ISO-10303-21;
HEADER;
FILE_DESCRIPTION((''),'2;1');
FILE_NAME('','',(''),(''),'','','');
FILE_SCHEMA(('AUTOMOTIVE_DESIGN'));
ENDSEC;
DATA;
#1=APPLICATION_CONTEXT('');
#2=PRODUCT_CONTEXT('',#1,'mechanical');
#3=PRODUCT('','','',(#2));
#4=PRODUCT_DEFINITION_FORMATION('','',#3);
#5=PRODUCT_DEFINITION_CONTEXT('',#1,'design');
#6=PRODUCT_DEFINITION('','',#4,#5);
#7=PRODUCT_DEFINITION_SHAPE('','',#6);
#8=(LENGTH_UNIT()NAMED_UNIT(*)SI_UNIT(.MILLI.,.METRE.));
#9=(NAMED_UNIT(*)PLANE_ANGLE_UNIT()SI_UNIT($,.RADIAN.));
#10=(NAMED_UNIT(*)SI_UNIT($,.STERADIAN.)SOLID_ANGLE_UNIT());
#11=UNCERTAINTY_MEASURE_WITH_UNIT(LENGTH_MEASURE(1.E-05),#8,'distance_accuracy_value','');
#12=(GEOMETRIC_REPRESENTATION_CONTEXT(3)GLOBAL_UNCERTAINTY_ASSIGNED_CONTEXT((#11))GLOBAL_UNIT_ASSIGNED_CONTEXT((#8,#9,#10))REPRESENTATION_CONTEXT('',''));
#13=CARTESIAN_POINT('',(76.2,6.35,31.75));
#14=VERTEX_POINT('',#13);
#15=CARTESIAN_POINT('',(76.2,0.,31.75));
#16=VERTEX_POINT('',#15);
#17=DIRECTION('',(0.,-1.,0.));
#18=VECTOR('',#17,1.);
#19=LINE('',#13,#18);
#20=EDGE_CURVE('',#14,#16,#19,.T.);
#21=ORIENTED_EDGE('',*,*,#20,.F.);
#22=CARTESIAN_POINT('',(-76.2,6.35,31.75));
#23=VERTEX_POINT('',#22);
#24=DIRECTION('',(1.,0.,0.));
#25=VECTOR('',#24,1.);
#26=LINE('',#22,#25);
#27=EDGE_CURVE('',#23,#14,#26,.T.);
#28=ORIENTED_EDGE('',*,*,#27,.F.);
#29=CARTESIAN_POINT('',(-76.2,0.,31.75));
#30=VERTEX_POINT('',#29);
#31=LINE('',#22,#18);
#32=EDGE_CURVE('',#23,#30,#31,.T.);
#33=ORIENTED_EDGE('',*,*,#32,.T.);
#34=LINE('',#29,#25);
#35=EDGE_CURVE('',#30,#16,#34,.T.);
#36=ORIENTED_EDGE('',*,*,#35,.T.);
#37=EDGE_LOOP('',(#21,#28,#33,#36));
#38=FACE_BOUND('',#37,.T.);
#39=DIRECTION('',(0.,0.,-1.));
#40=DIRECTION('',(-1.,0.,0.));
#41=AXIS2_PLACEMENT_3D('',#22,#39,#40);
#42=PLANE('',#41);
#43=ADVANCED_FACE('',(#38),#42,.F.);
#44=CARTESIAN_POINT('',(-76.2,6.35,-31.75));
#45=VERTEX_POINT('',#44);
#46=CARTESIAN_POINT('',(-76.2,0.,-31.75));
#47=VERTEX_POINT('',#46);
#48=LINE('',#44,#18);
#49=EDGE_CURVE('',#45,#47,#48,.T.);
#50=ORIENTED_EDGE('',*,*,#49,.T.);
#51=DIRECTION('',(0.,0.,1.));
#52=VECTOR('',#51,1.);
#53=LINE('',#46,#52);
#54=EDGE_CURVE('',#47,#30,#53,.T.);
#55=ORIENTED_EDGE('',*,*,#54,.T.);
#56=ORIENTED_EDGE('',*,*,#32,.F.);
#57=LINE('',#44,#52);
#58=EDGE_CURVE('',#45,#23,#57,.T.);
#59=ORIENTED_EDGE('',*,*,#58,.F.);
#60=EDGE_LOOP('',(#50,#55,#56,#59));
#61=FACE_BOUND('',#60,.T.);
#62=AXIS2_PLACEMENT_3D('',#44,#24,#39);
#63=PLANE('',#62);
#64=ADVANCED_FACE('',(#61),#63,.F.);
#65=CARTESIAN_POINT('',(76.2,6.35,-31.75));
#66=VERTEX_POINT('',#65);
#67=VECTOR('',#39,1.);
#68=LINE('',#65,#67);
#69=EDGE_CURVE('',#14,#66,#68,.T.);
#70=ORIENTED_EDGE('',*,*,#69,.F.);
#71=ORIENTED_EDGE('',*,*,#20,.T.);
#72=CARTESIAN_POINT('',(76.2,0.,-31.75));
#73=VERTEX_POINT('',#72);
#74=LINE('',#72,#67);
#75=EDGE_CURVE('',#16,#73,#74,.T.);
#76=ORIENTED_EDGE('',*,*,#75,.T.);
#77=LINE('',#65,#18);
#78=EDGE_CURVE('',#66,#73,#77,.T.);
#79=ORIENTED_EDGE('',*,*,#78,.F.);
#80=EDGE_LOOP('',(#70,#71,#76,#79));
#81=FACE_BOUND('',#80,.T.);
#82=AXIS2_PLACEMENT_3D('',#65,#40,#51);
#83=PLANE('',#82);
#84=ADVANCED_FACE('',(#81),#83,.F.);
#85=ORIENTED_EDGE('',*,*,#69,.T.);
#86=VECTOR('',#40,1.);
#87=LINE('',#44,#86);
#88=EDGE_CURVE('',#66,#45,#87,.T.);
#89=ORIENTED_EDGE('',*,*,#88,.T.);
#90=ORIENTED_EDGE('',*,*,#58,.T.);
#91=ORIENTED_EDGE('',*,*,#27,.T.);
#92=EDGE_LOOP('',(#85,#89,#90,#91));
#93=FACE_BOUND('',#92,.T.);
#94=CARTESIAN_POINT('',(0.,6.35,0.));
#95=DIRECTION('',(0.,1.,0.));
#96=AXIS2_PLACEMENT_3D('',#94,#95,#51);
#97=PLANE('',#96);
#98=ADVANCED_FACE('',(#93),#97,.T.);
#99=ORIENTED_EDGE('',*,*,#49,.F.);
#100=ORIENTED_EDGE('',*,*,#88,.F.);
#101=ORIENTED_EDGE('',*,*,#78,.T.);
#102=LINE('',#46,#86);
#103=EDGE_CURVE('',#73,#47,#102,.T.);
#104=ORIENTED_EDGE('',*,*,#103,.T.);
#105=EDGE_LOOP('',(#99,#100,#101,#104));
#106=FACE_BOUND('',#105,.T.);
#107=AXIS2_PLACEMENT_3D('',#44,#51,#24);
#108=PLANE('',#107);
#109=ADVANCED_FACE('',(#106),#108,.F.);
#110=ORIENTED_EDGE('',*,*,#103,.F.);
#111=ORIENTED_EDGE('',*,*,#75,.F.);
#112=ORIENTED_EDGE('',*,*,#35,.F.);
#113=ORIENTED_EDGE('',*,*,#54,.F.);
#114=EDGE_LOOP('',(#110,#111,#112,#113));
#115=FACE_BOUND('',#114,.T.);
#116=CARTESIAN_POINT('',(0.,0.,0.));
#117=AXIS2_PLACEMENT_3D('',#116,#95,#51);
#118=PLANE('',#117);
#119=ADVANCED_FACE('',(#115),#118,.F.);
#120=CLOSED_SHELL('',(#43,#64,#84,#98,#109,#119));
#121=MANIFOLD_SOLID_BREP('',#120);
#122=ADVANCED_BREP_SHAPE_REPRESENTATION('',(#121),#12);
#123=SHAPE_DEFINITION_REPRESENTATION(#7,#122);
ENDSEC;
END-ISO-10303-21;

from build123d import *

# Parameters (mm, degrees)
CROQUIS1_W              = 152.4
CROQUIS1_H              = 63.5
SALIENTE_EXTRUIR1_DEPTH = 6.35


with BuildPart() as part:
    # Croquis1 → Saliente-Extruir1 (new body)
    with BuildSketch(Plane(origin=(0, 0, 0), x_dir=(1, 0, 0), z_dir=(0, 1, 0))):
        Rectangle(CROQUIS1_W, CROQUIS1_H)
    extrude(amount=SALIENTE_EXTRUIR1_DEPTH)


solid = part.part
